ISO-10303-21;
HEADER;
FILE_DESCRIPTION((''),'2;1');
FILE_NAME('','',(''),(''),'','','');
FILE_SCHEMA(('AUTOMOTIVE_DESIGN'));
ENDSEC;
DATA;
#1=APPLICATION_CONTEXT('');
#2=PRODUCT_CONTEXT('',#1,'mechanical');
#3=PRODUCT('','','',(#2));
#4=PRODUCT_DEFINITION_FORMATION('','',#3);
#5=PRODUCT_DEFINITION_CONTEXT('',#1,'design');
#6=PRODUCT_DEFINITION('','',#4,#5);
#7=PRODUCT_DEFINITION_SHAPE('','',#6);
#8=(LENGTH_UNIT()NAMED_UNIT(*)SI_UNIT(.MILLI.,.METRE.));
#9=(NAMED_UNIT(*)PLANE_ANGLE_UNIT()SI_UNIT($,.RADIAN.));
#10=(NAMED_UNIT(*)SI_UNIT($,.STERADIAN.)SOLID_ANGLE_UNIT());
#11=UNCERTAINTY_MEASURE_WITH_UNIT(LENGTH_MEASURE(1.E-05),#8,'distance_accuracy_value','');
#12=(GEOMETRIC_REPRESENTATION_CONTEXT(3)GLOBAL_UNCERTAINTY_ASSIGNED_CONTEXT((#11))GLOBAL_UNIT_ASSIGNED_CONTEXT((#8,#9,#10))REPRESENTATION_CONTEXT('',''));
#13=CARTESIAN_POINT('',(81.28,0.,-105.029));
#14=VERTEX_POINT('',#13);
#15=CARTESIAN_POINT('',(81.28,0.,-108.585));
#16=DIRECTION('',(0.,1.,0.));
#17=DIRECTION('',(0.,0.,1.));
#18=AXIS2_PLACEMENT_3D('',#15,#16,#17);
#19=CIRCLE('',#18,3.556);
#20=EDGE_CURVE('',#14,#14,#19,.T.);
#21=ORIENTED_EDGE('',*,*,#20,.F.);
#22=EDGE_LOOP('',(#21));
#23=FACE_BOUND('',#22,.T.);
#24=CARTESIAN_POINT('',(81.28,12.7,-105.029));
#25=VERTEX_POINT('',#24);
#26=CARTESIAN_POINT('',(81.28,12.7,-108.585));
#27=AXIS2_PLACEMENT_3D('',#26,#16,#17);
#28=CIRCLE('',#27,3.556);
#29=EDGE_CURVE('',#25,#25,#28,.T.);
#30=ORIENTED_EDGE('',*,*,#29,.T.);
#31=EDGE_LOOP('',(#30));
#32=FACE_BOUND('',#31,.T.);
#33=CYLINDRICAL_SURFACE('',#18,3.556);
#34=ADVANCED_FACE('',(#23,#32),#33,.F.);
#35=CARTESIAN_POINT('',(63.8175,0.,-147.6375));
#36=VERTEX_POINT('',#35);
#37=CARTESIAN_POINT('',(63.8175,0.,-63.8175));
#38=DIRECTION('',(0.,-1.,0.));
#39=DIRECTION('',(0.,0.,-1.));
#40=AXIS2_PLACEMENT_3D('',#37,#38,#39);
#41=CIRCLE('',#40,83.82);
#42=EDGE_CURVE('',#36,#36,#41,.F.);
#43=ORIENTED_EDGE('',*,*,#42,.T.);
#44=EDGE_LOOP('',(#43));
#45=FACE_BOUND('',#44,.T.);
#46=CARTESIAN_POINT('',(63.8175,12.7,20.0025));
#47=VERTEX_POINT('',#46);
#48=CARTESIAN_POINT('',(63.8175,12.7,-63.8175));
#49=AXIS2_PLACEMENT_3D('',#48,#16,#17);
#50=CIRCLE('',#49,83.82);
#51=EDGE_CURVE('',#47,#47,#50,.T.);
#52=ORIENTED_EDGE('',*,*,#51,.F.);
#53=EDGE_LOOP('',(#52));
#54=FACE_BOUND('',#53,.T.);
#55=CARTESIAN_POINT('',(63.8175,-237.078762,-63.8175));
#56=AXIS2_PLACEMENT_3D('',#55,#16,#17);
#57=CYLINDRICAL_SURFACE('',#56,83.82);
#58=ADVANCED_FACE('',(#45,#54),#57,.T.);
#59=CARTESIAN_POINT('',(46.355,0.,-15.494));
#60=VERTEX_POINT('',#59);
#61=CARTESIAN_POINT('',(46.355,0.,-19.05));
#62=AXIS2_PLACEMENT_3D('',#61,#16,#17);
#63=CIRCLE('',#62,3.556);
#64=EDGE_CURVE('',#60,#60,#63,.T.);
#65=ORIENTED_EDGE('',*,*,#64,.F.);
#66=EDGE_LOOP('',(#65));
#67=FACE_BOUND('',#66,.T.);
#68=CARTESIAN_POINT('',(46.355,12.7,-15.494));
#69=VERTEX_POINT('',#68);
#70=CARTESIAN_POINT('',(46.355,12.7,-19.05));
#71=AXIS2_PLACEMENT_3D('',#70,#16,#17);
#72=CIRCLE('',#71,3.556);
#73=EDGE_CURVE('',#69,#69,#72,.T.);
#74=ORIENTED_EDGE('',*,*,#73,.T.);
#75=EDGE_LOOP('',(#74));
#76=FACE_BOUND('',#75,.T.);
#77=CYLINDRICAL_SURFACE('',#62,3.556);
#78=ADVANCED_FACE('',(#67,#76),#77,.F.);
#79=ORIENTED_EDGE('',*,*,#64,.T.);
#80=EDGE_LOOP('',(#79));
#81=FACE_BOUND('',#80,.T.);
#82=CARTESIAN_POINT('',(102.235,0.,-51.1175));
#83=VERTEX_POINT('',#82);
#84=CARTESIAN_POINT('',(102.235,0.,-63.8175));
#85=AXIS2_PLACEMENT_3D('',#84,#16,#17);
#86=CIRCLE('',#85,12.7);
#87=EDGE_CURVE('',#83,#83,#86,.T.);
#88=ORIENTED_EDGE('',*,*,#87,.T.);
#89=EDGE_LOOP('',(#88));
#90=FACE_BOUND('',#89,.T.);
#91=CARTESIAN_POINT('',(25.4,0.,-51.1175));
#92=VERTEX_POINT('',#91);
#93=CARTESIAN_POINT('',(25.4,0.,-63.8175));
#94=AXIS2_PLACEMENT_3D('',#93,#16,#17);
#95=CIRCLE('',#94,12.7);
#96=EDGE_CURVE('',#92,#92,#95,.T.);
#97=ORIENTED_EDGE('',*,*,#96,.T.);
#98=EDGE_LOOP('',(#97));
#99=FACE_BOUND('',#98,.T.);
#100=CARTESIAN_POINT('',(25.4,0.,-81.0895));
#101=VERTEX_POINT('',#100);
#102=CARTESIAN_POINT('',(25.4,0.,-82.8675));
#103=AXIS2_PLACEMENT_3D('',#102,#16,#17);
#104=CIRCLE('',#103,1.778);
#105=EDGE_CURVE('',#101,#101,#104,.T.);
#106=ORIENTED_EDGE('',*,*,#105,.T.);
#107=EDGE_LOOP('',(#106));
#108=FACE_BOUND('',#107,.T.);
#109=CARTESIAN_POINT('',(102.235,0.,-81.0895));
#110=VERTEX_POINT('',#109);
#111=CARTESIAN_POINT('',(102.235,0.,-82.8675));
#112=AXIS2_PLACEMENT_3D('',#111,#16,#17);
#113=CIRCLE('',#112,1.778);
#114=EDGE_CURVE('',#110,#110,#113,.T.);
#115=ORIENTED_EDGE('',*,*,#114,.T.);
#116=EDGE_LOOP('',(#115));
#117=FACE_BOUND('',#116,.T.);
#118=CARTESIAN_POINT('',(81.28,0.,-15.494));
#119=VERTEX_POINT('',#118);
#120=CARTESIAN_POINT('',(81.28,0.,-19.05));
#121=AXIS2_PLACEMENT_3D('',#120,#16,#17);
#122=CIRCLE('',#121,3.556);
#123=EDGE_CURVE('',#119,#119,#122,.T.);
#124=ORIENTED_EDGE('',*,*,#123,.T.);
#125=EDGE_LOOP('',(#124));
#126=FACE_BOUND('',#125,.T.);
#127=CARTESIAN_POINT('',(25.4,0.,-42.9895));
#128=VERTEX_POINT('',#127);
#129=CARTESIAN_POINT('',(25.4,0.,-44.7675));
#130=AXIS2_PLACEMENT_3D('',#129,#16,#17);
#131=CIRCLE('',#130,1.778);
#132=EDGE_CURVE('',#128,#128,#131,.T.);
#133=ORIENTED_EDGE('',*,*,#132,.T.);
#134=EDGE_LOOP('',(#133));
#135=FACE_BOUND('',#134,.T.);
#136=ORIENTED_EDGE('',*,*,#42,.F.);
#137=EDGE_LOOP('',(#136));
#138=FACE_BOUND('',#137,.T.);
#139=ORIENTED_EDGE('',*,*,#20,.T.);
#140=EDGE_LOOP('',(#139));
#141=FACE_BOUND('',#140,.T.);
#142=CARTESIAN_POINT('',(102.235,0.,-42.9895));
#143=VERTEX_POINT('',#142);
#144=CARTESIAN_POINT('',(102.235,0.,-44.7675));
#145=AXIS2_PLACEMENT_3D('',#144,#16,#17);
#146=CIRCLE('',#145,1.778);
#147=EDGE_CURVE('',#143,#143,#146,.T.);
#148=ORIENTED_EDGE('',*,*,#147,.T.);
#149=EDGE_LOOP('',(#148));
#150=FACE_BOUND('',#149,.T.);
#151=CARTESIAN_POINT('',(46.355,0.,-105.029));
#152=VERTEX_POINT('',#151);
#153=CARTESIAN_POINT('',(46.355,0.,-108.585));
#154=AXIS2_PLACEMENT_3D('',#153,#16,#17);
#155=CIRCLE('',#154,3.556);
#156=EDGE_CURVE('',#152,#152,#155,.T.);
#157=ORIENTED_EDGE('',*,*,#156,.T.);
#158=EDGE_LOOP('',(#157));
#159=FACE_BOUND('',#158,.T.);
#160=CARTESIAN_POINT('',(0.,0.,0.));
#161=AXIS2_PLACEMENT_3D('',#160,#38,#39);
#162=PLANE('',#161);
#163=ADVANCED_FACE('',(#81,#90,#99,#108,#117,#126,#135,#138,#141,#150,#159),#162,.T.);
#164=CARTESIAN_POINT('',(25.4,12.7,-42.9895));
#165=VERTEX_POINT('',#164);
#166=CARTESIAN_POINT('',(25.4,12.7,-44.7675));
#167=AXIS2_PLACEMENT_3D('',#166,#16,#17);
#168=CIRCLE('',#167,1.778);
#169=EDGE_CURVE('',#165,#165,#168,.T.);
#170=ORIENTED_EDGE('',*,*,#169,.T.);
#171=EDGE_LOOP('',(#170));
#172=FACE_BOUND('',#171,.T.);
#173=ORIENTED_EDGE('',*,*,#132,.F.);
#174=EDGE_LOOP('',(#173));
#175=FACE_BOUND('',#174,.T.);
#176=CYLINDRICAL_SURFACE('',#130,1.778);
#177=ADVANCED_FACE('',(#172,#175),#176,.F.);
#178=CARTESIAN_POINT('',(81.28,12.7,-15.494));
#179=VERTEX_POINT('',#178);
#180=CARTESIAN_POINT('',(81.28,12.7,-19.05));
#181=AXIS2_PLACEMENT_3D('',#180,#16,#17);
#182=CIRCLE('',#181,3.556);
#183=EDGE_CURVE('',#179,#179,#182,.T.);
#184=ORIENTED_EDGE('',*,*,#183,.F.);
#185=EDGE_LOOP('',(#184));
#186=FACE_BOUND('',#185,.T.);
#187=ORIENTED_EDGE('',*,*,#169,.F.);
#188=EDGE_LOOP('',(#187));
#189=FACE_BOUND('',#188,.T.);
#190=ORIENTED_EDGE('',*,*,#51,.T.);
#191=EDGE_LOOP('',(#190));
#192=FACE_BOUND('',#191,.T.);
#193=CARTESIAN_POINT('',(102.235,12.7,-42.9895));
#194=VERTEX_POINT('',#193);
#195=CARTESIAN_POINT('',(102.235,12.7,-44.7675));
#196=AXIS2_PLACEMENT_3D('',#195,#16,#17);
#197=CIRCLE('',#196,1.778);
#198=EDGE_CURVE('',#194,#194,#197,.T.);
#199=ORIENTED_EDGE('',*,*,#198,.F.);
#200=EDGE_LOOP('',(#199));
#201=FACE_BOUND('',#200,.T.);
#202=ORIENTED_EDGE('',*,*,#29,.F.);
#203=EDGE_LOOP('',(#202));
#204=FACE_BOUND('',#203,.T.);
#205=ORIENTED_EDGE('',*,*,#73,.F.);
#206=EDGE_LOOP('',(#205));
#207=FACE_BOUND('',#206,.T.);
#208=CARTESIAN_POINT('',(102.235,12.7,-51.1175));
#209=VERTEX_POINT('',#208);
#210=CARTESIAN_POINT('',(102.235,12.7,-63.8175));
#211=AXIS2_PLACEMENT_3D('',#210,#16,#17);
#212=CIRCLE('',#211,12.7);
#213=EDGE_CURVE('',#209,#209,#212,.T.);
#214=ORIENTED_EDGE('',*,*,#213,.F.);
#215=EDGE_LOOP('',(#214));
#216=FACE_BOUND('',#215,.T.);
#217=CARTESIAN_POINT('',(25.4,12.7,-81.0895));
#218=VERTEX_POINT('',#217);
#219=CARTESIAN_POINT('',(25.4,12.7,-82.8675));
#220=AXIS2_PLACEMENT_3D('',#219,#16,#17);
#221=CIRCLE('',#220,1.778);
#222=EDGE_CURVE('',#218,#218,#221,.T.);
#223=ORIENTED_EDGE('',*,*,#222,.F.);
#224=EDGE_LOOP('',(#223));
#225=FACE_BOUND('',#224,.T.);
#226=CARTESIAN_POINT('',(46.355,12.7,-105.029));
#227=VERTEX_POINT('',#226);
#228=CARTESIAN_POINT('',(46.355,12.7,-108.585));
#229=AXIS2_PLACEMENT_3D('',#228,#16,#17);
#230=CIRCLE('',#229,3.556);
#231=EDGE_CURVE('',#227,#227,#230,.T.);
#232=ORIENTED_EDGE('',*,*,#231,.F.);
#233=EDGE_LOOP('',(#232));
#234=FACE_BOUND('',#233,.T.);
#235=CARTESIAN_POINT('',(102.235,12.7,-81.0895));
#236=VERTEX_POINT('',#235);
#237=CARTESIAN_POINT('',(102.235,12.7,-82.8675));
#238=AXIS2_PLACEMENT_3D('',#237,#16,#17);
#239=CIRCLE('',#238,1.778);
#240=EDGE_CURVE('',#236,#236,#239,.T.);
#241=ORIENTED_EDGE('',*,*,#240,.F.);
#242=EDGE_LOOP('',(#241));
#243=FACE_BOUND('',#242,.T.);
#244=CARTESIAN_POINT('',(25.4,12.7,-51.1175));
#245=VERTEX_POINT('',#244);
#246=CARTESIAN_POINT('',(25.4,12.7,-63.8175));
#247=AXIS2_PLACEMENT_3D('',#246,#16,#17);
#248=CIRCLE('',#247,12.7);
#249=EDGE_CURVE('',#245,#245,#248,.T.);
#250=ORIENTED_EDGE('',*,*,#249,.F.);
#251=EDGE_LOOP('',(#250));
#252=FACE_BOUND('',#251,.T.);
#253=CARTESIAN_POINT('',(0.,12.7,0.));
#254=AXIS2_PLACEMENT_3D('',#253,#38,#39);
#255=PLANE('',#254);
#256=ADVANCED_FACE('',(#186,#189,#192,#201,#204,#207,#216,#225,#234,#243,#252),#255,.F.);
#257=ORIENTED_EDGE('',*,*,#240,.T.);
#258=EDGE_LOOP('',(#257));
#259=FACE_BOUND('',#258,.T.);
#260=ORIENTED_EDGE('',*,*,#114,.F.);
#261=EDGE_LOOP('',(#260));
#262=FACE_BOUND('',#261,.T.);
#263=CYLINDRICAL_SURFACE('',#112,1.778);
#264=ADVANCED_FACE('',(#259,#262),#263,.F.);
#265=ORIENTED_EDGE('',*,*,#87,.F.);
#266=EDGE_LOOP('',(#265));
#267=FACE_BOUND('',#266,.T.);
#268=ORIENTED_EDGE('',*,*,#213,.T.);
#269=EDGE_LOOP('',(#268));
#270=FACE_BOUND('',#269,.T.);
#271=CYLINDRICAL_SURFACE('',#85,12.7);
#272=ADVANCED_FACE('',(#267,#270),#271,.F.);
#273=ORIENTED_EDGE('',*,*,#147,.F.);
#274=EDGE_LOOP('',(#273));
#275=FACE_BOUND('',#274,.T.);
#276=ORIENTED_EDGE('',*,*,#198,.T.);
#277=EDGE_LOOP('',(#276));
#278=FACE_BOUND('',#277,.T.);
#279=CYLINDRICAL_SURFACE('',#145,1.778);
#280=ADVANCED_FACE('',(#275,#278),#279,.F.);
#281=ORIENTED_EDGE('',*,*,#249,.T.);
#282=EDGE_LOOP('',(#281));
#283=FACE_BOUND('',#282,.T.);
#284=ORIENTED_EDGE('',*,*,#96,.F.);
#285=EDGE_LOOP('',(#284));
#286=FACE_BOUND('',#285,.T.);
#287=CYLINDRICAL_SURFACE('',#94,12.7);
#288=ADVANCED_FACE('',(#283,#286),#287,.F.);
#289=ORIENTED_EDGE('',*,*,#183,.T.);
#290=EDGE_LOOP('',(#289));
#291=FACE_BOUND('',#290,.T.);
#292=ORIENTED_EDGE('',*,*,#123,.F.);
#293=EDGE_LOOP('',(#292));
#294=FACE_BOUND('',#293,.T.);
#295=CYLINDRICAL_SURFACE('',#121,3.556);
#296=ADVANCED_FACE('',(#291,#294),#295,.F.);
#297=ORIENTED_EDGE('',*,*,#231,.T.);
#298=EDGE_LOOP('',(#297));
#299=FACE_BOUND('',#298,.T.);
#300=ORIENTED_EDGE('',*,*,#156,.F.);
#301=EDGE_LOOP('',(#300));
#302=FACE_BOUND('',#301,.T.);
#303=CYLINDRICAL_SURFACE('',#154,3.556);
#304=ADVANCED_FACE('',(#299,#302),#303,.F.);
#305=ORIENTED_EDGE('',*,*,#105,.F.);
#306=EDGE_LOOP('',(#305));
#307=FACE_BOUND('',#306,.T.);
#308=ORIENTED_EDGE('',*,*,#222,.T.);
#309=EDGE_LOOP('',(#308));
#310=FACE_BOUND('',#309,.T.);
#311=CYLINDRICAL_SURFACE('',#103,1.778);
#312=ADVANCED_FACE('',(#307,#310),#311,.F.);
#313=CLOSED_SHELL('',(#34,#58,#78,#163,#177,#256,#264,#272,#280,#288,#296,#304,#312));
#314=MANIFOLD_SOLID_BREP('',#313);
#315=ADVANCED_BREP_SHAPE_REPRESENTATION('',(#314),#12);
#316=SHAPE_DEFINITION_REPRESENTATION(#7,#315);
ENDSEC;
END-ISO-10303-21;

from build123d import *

# Parameters (mm, degrees)
SKETCH1_W                      = 127.635
SKETCH1_H                      = 127.635
MAIN_PLATE_DEPTH               = 12.7
SKETCH9_R                      = 83.82
BOSS_EXTRUDE1_DEPTH            = 12.7
SKETCH10_R                     = 97.039626961
SKETCH10_R_2                   = 83.82
CUT_EXTRUDE1_DEPTH             = 167.64
SKETCH2_R                      = 3.556
U_BOLT_HOLE_DEPTH              = 12.7
U_BOLT_PATTERN_COUNT           = 2
U_BOLT_PATTERN_PITCH           = 34.925
U_BOLT_PATTERN_COUNT_DIR2      = 2
U_BOLT_PATTERN_PITCH_DIR2      = 89.535
SKETCH3_R                      = 1.778
RAPTOR_BOLT_HOLE_DEPTH         = 12.7
RAPTOR_BOLT_PATTERN_COUNT      = 2
RAPTOR_BOLT_PATTERN_PITCH      = 38.1
RAPTOR_BOLT_PATTERN_COUNT_DIR2 = 2
RAPTOR_BOLT_PATTERN_PITCH_DIR2 = 76.835
SKETCH4_R                      = 12.7
CO2_CYLINDER_HOLE_DEPTH        = 12.7
CO2_PATTERN_COUNT              = 2
CO2_PATTERN_PITCH              = 76.835


with BuildPart() as part:
    # Sketch1 → Main Plate (new body)
    with BuildSketch(Plane(origin=(0, 0, 0), x_dir=(1, 0, 0), z_dir=(0, 1, 0))):
        with Locations((63.8175, 63.8175)):
            Rectangle(SKETCH1_W, SKETCH1_H)
    extrude(amount=MAIN_PLATE_DEPTH)

    # Sketch9 → Boss-Extrude1 (add)
    with BuildSketch(Plane(origin=(0, 12.7, 0), x_dir=(1, 0, 0), z_dir=(0, 1, 0))):
        with Locations((63.8175, 63.8175)):
            Circle(SKETCH9_R)
    extrude(amount=-BOSS_EXTRUDE1_DEPTH)

    # Sketch10 → Cut-Extrude1 (cut)
    with BuildSketch(Plane(origin=(0, 12.7, 0), x_dir=(1, 0, 0), z_dir=(0, 1, 0))):
        with Locations((63.8175, 63.8175)):
            Circle(SKETCH10_R)
        with Locations((63.8175, 63.8175)):
            Circle(SKETCH10_R_2, mode=Mode.SUBTRACT)
    extrude(amount=-CUT_EXTRUDE1_DEPTH, mode=Mode.SUBTRACT)

    # Sketch2 → U-Bolt Hole (cut)
    with BuildSketch(Plane(origin=(0, 12.7, 0), x_dir=(1, 0, 0), z_dir=(0, 1, 0))):
        with Locations((46.355, 108.585)):
            Circle(SKETCH2_R)
    u_bolt_hole = extrude(amount=-U_BOLT_HOLE_DEPTH, mode=Mode.SUBTRACT)

    # U-Bolt Pattern: U-Bolt Hole 2 × 2
    with Locations(*[(i * U_BOLT_PATTERN_PITCH, 0, j * U_BOLT_PATTERN_PITCH_DIR2) for i in range(U_BOLT_PATTERN_COUNT) for j in range(U_BOLT_PATTERN_COUNT_DIR2) if (i, j) != (0, 0)]):
        add(u_bolt_hole, mode=Mode.SUBTRACT)

    # Sketch3 → Raptor Bolt Hole (cut)
    with BuildSketch(Plane(origin=(0, 12.7, 0), x_dir=(1, 0, 0), z_dir=(0, 1, 0))):
        with Locations((25.4, 44.7675)):
            Circle(SKETCH3_R)
    raptor_bolt_hole = extrude(amount=-RAPTOR_BOLT_HOLE_DEPTH, mode=Mode.SUBTRACT)

    # Raptor Bolt Pattern: Raptor Bolt Hole 2 × 2
    with Locations(*[(j * RAPTOR_BOLT_PATTERN_PITCH_DIR2, 0, -i * RAPTOR_BOLT_PATTERN_PITCH) for i in range(RAPTOR_BOLT_PATTERN_COUNT) for j in range(RAPTOR_BOLT_PATTERN_COUNT_DIR2) if (i, j) != (0, 0)]):
        add(raptor_bolt_hole, mode=Mode.SUBTRACT)

    # Sketch4 → Co2 Cylinder Hole (cut)
    with BuildSketch(Plane(origin=(0, 12.7, 0), x_dir=(1, 0, 0), z_dir=(0, 1, 0))):
        with Locations((25.4, 63.8175)):
            Circle(SKETCH4_R)
    co2_cylinder_hole = extrude(amount=-CO2_CYLINDER_HOLE_DEPTH, mode=Mode.SUBTRACT)

    # Co2 Pattern: Co2 Cylinder Hole ×2
    with Locations(*[(i * CO2_PATTERN_PITCH, 0, 0) for i in range(1, CO2_PATTERN_COUNT)]):
        add(co2_cylinder_hole, mode=Mode.SUBTRACT)


solid = part.part
